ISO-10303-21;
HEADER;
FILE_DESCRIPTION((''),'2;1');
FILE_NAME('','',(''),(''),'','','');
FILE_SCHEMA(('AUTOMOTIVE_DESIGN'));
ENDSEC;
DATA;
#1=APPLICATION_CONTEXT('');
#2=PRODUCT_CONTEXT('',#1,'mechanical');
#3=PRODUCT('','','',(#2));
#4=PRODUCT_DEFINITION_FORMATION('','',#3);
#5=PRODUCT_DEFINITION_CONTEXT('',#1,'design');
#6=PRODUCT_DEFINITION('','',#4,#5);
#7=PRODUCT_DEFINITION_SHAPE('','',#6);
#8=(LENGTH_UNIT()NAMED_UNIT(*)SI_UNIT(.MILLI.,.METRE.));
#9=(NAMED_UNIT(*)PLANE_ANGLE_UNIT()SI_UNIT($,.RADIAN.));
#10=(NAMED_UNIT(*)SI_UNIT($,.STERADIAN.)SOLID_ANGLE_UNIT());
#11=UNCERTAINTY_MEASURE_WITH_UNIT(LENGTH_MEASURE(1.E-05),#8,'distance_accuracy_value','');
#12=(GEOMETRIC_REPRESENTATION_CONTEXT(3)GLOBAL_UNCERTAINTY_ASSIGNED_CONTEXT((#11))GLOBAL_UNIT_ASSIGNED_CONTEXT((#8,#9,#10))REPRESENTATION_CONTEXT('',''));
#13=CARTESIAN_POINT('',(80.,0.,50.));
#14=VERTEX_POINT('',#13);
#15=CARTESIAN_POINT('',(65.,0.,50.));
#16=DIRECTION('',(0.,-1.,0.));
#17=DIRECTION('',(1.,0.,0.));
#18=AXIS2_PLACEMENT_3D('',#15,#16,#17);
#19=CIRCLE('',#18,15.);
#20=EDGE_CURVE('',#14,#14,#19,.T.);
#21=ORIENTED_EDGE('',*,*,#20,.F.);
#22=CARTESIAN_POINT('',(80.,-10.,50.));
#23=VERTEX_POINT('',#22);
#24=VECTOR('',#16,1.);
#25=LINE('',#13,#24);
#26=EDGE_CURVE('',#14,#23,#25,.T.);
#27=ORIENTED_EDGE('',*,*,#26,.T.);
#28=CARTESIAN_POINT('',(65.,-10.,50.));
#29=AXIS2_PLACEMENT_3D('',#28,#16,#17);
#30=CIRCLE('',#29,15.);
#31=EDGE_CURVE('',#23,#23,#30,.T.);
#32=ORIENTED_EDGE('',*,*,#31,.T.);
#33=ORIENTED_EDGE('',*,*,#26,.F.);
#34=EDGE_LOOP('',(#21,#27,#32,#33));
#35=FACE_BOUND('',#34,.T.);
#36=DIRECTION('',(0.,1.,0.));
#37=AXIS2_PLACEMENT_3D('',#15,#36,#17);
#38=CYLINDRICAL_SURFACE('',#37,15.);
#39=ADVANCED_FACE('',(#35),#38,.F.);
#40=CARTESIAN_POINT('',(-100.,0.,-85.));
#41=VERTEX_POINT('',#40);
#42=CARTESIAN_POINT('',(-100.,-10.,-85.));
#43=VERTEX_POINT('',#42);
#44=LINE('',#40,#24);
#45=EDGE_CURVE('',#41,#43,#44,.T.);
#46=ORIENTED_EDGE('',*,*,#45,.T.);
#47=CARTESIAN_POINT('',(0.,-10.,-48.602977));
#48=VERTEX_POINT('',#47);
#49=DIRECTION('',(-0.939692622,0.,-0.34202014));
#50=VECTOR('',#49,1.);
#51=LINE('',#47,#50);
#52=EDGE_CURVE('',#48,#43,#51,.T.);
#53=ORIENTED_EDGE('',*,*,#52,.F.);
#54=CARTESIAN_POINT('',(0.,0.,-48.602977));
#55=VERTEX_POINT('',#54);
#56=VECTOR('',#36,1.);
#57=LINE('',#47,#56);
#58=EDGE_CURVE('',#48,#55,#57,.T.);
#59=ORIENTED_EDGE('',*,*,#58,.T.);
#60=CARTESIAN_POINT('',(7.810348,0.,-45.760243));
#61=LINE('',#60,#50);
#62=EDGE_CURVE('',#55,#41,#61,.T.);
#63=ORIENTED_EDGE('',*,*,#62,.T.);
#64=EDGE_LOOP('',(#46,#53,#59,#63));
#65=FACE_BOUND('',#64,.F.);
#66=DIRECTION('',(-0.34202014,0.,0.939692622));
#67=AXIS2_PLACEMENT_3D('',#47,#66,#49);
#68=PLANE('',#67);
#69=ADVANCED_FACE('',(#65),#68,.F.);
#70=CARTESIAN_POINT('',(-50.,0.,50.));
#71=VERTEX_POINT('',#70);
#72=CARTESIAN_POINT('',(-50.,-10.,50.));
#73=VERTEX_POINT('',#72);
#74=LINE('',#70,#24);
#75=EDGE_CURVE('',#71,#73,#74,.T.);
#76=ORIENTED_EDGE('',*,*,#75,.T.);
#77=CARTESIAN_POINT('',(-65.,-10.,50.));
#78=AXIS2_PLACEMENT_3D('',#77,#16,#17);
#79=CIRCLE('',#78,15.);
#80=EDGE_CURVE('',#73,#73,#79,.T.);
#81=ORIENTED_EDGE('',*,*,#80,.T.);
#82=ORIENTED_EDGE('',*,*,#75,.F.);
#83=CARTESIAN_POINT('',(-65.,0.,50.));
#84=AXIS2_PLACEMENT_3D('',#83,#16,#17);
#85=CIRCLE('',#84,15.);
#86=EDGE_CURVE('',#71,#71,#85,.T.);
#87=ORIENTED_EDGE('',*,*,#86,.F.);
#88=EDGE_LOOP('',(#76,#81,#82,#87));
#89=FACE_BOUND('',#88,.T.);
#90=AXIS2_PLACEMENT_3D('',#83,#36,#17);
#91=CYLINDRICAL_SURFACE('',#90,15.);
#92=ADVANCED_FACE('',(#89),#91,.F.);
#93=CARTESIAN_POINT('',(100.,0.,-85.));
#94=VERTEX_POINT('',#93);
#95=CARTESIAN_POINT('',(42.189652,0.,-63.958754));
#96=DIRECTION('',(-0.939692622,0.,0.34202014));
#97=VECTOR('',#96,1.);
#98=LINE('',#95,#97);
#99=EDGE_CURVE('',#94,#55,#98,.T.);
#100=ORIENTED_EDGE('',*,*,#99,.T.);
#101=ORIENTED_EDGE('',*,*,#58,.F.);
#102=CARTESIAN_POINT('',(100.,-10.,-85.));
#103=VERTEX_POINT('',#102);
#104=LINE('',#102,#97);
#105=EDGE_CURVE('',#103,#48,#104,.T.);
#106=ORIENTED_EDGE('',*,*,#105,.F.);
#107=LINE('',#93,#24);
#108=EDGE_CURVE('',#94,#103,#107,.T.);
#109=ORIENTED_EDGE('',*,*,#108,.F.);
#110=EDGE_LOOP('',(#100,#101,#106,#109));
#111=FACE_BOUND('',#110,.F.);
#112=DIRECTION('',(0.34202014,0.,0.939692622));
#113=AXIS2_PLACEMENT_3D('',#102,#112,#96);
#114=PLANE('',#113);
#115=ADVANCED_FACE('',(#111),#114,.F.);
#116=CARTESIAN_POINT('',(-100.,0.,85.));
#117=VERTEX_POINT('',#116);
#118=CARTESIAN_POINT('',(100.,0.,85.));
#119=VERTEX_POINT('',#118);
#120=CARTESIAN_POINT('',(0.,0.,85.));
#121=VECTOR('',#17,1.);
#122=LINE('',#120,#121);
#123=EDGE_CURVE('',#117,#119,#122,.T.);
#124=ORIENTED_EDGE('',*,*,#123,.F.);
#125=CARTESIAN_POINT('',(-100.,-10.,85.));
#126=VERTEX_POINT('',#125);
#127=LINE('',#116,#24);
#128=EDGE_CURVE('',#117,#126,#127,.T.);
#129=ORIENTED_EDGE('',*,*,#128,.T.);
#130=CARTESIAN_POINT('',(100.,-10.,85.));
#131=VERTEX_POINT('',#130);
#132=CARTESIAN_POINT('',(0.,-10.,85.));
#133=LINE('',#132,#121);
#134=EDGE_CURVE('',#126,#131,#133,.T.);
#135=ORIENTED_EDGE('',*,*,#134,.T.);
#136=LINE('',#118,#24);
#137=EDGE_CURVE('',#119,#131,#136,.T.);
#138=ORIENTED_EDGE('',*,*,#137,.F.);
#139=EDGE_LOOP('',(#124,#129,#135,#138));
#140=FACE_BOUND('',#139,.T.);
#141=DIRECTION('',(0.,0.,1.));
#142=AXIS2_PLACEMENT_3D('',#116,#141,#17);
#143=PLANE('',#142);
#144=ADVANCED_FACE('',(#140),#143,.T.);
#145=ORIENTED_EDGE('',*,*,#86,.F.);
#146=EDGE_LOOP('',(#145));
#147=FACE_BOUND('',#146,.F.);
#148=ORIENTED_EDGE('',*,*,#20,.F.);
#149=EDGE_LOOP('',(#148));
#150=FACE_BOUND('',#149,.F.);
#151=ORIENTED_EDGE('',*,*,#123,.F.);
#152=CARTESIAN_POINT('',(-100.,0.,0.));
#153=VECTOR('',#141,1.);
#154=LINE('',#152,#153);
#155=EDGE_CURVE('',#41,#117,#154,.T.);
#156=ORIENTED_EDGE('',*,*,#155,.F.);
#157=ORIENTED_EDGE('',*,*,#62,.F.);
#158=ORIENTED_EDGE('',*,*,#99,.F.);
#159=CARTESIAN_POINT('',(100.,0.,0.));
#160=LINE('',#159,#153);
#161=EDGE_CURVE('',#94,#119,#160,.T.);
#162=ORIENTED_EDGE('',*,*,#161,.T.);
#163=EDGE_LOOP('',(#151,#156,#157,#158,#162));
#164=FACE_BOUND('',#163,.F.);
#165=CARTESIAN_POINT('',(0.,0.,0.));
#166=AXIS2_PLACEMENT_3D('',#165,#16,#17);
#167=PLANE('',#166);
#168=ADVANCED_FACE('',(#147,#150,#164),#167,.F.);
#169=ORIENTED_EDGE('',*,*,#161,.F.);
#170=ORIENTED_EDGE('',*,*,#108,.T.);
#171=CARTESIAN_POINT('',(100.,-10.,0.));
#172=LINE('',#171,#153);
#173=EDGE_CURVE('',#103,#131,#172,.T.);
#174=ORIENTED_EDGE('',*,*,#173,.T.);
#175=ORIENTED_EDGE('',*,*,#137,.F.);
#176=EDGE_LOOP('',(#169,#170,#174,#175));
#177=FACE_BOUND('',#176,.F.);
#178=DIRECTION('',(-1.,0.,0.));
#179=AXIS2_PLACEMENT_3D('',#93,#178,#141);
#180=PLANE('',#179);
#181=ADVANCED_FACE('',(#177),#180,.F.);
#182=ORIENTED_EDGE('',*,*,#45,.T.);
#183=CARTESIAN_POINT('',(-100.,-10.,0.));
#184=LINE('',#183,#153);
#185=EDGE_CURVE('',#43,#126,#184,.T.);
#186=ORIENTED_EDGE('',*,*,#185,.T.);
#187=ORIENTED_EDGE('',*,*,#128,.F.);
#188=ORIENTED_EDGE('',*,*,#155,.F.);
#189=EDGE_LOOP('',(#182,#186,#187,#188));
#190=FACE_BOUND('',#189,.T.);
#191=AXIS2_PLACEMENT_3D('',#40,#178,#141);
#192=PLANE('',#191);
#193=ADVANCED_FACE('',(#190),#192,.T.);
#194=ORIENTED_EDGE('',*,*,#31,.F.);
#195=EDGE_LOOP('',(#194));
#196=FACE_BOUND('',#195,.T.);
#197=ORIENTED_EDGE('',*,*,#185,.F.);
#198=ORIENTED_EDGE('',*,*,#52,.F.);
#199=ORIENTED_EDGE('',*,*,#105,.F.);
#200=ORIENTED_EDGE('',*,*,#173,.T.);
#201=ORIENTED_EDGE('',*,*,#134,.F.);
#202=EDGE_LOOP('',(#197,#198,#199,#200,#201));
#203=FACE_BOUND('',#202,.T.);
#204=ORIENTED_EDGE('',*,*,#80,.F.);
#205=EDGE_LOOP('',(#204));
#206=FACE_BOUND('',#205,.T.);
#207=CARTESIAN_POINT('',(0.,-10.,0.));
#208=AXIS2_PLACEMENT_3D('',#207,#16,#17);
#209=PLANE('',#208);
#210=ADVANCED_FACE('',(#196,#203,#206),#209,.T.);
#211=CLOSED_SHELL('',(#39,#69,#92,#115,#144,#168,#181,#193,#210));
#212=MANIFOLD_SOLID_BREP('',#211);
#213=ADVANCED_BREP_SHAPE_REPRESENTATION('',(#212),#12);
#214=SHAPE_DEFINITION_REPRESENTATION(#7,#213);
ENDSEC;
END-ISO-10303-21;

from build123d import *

# Parameters (mm, degrees)
F0_W     = 200
F0_H     = 170
F0_R     = 15
F1_DEPTH = 10
F3_DEPTH = 10.001


with BuildPart() as f1:
    # F0 (on Front) → F1 (new body)
    with BuildSketch(Plane.XZ):
        Rectangle(F0_W, F0_H)
        with Locations((-65, 50)):
            Circle(F0_R, mode=Mode.SUBTRACT)
        with Locations((65, 50)):
            Circle(F0_R, mode=Mode.SUBTRACT)
    extrude(amount=F1_DEPTH)

    # F2 (on face) → F3 (cut, through all)
    with BuildSketch(Plane.XZ.offset(10)):
        Polygon((0, -48.602977), (-100, -85), (100, -85), align=None)
    extrude(amount=-F3_DEPTH, mode=Mode.SUBTRACT)


solid = f1.part
